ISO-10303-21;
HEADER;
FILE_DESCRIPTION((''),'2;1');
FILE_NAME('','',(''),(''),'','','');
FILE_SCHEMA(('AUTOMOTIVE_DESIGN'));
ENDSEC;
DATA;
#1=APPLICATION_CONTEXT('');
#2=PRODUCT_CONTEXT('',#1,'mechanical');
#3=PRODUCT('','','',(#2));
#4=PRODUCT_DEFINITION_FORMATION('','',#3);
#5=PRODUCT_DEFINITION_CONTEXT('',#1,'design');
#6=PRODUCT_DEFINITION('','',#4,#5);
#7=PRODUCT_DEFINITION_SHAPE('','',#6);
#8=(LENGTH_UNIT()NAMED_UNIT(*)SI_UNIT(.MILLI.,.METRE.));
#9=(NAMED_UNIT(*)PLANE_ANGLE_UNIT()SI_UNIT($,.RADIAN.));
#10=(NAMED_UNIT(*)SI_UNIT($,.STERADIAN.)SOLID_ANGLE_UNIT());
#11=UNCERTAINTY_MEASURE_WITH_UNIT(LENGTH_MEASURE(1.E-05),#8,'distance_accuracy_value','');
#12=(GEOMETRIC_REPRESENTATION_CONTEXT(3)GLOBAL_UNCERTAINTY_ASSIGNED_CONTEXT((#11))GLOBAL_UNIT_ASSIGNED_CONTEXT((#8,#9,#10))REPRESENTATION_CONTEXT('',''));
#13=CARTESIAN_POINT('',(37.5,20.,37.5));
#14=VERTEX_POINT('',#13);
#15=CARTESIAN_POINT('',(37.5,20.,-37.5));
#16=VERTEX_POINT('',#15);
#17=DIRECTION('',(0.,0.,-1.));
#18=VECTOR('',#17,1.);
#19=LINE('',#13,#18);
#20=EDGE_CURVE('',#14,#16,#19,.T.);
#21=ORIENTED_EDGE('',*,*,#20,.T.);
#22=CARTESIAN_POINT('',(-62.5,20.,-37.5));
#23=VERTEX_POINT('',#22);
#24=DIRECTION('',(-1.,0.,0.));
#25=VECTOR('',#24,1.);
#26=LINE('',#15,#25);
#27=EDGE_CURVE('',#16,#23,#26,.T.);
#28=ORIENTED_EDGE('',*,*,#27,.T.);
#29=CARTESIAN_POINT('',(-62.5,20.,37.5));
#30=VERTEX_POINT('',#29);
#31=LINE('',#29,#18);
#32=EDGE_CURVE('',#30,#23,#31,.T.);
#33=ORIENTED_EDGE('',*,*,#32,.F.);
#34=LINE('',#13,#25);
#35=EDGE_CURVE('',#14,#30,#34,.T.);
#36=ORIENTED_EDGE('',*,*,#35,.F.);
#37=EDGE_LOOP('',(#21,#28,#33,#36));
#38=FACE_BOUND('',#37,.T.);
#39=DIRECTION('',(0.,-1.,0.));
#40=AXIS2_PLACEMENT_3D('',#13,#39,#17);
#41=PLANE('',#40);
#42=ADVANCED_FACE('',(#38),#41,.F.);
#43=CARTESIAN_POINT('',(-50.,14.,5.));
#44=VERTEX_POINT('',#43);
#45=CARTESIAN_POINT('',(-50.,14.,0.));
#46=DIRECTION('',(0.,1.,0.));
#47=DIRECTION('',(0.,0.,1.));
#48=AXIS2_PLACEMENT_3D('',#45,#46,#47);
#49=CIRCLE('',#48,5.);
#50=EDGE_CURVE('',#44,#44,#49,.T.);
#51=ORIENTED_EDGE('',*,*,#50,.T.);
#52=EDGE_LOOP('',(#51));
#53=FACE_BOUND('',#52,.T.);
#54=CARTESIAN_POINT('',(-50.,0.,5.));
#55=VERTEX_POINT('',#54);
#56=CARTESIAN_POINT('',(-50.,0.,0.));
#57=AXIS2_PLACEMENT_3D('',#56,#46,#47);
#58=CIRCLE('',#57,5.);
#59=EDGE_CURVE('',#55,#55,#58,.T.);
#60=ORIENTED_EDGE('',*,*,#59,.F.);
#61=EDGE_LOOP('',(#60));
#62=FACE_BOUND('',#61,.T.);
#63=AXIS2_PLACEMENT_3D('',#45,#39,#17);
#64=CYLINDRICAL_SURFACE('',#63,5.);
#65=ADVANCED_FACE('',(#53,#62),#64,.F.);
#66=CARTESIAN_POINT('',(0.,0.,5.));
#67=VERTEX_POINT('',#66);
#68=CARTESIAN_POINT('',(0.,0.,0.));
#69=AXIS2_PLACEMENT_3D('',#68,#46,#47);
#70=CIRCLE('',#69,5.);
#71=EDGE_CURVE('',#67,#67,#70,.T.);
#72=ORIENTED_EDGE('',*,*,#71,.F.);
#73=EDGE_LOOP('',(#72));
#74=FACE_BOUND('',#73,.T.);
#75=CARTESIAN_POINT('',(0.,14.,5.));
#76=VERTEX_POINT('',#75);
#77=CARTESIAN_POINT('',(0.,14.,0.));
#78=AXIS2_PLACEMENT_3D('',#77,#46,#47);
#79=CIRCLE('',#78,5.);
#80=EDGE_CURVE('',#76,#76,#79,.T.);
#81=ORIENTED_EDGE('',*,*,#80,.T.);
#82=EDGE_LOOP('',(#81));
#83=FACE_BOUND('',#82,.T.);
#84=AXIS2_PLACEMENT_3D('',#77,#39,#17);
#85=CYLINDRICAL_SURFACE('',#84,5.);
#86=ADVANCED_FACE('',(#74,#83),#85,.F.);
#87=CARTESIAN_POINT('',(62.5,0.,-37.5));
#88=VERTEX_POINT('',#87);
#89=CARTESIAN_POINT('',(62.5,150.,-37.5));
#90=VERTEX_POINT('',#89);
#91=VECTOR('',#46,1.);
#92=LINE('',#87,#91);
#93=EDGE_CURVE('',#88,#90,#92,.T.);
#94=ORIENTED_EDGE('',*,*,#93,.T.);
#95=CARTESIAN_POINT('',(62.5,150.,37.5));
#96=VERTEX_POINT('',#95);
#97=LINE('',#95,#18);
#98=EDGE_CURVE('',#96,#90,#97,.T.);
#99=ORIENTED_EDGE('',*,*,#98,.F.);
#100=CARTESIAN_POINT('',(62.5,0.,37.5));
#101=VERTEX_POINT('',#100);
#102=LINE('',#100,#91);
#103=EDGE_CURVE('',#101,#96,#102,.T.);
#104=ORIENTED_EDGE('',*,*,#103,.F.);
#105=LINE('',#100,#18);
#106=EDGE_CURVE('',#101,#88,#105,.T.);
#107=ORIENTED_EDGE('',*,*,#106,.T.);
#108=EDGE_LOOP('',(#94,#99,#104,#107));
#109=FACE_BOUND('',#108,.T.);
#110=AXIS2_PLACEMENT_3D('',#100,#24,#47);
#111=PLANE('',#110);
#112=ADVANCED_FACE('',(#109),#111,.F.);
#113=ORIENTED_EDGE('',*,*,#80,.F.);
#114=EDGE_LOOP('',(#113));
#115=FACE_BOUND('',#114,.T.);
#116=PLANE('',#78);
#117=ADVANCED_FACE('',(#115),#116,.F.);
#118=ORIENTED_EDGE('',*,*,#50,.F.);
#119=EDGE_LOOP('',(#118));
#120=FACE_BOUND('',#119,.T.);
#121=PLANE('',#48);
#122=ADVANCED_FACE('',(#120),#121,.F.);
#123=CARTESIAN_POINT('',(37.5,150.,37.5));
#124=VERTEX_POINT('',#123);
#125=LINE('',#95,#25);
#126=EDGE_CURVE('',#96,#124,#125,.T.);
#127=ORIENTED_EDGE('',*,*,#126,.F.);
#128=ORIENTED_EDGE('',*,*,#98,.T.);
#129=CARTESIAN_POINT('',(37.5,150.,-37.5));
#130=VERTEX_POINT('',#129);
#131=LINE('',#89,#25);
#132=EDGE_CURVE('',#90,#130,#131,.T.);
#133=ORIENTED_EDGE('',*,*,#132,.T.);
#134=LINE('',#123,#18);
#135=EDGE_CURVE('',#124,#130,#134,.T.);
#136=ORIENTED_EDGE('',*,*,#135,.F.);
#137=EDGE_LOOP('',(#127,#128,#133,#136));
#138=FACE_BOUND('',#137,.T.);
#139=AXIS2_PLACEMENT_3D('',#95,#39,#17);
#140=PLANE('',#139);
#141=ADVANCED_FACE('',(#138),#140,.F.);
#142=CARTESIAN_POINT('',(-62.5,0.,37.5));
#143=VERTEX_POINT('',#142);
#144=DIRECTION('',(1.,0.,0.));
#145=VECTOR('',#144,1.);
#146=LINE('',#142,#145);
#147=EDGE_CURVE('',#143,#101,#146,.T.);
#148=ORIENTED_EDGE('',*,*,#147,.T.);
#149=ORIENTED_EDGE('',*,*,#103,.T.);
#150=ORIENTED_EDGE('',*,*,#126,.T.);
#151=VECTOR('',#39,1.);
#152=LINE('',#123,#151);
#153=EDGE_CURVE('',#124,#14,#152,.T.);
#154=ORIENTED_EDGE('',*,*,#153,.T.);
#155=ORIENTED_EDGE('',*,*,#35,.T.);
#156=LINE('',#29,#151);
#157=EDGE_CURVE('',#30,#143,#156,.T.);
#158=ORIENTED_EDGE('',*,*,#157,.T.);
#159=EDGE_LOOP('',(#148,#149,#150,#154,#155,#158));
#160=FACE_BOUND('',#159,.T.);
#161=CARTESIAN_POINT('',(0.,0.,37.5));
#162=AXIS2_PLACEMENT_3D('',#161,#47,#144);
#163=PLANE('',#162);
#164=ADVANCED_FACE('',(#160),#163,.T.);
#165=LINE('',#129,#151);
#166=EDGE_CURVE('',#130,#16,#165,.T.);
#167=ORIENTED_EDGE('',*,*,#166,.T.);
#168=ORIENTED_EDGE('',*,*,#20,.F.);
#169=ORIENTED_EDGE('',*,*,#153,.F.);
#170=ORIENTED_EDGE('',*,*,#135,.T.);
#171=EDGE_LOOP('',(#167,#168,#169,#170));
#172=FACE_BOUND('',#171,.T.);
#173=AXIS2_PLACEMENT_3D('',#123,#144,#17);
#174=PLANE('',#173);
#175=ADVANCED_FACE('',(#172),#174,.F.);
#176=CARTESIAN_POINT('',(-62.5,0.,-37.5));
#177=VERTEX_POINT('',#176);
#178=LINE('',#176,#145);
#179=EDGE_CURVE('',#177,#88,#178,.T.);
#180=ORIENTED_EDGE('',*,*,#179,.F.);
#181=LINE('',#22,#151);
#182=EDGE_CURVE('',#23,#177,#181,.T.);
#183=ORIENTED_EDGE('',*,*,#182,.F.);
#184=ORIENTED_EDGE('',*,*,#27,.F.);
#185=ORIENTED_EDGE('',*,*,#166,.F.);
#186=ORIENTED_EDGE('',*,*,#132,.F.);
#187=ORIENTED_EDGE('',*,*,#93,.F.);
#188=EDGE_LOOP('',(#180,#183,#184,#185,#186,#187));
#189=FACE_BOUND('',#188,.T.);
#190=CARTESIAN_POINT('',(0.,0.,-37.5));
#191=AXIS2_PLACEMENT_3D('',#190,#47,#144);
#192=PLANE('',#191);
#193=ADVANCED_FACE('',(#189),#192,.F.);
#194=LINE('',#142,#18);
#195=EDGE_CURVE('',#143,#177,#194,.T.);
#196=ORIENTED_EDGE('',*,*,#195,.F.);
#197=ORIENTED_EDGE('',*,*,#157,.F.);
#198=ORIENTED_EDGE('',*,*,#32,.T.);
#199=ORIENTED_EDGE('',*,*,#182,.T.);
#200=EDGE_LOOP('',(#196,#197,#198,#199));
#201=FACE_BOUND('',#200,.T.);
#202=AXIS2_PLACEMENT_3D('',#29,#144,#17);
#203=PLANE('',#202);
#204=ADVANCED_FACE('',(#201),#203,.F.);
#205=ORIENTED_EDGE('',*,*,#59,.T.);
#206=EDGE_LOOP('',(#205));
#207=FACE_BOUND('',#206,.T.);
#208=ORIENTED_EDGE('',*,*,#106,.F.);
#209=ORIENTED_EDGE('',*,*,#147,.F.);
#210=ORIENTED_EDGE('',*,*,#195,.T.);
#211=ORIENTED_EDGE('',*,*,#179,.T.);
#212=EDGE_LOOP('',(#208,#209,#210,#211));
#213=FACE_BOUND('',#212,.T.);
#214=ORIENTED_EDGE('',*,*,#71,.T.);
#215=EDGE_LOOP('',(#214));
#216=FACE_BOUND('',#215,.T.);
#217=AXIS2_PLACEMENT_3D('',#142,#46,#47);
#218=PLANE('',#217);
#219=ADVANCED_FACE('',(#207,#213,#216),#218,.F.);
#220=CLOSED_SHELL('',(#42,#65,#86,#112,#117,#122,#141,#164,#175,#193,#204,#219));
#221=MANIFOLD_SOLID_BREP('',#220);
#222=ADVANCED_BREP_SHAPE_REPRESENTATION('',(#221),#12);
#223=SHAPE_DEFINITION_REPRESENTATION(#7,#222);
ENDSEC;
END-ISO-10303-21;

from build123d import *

# Parameters (mm, degrees)
ANGULO_L_DEPTH             = 37.5
CROQUIS_AGUJEROS_MONTAJE_R = 5
AGUJERO_INSERTO_M6_DEPTH   = 14


with BuildPart() as part:
    # Croquis_perfil_L → Angulo_L (new, symmetric)
    with BuildSketch(Plane.XY):
        Polygon((-62.5, 0), (62.5, 0), (62.5, 150), (37.5, 150), (37.5, 20), (-62.5, 20), align=None)
    extrude(amount=ANGULO_L_DEPTH, both=True)

    # Croquis_agujeros_montaje → Agujero_inserto_M6 (cut)
    with BuildSketch(Plane(origin=(0, 0, 0), x_dir=(1, 0, 0), z_dir=(0, 1, 0))):
        with Locations(Location((-50, 0, 0), (0, 0, 270))):
            Circle(CROQUIS_AGUJEROS_MONTAJE_R)
        with Locations(Location((0, 0, 0), (0, 0, 270))):
            Circle(CROQUIS_AGUJEROS_MONTAJE_R)
    extrude(amount=AGUJERO_INSERTO_M6_DEPTH, mode=Mode.SUBTRACT)


solid = part.part
